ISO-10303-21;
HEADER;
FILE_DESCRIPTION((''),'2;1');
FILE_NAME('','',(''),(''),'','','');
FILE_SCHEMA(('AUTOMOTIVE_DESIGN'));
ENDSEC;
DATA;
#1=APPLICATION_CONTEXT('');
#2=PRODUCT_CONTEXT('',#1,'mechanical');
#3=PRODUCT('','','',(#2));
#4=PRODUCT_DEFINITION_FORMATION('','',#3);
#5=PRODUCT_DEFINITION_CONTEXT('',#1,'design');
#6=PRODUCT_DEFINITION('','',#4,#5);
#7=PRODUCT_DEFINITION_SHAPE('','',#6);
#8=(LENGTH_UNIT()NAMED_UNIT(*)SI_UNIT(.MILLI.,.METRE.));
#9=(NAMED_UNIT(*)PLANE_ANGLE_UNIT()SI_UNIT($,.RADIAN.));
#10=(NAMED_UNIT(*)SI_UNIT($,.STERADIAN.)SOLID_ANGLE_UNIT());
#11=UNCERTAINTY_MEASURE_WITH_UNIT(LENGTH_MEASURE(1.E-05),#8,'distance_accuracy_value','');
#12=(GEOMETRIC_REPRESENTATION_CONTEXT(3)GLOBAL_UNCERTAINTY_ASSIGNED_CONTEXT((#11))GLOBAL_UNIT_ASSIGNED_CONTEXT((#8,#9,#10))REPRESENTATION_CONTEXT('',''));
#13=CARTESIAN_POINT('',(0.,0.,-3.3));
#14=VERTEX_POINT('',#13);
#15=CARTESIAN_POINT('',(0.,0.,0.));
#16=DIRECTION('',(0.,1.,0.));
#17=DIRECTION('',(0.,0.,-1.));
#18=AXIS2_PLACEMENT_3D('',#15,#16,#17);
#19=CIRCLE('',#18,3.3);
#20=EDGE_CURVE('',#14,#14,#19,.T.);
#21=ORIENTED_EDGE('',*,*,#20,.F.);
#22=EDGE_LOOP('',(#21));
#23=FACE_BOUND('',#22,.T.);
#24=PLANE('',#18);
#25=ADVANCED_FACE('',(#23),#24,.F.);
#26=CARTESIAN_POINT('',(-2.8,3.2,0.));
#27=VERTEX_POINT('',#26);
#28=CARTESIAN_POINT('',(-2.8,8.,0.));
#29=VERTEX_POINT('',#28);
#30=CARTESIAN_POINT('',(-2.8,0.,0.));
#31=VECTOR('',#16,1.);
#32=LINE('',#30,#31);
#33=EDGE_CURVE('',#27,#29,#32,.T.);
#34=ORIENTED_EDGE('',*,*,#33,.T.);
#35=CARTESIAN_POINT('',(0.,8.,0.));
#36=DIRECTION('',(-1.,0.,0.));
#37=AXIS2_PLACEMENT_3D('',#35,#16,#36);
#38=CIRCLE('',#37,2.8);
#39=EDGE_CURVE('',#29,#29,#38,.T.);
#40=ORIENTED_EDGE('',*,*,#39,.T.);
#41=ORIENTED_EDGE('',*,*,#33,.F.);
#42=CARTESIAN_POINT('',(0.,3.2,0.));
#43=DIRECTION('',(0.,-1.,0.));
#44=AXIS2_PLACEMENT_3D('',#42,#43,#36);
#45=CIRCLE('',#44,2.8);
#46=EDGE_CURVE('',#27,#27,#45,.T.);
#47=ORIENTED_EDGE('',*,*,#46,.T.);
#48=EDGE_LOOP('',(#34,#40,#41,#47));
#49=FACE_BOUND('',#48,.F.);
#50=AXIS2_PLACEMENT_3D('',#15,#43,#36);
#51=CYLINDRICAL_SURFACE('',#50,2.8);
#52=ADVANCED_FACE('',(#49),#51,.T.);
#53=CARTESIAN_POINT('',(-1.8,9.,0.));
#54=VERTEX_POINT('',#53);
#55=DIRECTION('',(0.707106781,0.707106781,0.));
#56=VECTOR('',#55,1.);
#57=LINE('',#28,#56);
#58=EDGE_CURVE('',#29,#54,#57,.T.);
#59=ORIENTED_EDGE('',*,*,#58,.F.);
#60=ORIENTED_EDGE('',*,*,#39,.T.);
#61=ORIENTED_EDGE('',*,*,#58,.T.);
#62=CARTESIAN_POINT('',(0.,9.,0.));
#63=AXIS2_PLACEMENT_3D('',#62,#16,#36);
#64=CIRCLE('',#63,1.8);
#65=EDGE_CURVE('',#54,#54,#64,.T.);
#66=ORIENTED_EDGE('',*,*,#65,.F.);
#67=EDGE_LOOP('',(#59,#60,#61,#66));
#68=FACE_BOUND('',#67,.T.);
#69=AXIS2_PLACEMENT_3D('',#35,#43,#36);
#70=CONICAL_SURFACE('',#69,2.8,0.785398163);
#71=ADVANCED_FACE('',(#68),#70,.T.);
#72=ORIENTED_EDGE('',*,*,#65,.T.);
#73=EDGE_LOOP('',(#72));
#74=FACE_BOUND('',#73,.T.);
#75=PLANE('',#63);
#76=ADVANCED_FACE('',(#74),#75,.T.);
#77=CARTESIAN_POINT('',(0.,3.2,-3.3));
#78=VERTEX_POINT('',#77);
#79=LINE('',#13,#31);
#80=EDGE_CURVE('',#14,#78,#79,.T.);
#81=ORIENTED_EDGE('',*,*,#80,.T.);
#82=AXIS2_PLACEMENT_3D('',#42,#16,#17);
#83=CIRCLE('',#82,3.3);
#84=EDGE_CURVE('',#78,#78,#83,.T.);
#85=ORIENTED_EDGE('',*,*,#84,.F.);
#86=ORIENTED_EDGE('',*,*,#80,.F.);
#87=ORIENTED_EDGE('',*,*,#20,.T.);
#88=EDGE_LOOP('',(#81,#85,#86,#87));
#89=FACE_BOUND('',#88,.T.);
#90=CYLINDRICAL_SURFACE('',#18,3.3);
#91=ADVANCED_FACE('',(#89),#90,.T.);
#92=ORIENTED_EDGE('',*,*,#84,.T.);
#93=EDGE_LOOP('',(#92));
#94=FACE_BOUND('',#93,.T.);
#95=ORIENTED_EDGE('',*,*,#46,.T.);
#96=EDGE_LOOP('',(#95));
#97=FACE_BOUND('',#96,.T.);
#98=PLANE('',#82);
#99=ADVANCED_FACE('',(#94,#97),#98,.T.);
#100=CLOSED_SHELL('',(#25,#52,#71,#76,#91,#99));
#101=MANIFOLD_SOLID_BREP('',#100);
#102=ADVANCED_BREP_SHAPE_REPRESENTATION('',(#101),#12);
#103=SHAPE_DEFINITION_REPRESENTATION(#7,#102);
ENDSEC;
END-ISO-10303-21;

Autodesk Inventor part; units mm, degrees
ref_plane "YZ Plane" through (0, 0, 0) normal (1, 0, 0) x (0, 1, 0)
ref_plane "XZ Plane" through (0, 0, 0) normal (0, 1, 0) x (-1, 0, 0)
ref_plane "XY Plane" through (0, 0, 0) normal (0, 0, 1) x (1, 0, 0)
sketch "Sketch1" plane through (0, 0, 0) normal (0, 1, 0) x (-1, 0, 0)
  circle A0 centre (0, 0) radius 2.8
  dimension "d0" = 5.6
extrude "Extrusion1" add sketch "Sketch1" along normal blind 9
chamfer "Chamfer1" distance 1 angle 45 1 edges at (2.8, 9, 0)
sketch "Sketch3" plane through (0, 0, 0) normal (1, 0, 0) x (0, 1, 0)
  line L0 (0, -2.8) -> (8, -2.8) projected
  line L1 (3.2, -2.8) -> (0, -2.8)
  line L2 (0, -2.8) -> (0, -3.3)
  line L3 (0, -3.3) -> (3.2, -3.3)
  line L4 (3.2, -3.3) -> (3.2, -2.8)
  line L5 (0, 2.8) -> (0, -2.8) projected
  line L6 (-1.8, 0) -> (10.8, 0) projected
  point P0 (0, 0)
  dimension "d9" = 3.2
  dimension "d11" = 0.5
revolve "Revolution1" add sketch "Sketch3" angle 360 about axis through (0, -10, 0) along (0, 1, 0)
properties part number "Knopf"
